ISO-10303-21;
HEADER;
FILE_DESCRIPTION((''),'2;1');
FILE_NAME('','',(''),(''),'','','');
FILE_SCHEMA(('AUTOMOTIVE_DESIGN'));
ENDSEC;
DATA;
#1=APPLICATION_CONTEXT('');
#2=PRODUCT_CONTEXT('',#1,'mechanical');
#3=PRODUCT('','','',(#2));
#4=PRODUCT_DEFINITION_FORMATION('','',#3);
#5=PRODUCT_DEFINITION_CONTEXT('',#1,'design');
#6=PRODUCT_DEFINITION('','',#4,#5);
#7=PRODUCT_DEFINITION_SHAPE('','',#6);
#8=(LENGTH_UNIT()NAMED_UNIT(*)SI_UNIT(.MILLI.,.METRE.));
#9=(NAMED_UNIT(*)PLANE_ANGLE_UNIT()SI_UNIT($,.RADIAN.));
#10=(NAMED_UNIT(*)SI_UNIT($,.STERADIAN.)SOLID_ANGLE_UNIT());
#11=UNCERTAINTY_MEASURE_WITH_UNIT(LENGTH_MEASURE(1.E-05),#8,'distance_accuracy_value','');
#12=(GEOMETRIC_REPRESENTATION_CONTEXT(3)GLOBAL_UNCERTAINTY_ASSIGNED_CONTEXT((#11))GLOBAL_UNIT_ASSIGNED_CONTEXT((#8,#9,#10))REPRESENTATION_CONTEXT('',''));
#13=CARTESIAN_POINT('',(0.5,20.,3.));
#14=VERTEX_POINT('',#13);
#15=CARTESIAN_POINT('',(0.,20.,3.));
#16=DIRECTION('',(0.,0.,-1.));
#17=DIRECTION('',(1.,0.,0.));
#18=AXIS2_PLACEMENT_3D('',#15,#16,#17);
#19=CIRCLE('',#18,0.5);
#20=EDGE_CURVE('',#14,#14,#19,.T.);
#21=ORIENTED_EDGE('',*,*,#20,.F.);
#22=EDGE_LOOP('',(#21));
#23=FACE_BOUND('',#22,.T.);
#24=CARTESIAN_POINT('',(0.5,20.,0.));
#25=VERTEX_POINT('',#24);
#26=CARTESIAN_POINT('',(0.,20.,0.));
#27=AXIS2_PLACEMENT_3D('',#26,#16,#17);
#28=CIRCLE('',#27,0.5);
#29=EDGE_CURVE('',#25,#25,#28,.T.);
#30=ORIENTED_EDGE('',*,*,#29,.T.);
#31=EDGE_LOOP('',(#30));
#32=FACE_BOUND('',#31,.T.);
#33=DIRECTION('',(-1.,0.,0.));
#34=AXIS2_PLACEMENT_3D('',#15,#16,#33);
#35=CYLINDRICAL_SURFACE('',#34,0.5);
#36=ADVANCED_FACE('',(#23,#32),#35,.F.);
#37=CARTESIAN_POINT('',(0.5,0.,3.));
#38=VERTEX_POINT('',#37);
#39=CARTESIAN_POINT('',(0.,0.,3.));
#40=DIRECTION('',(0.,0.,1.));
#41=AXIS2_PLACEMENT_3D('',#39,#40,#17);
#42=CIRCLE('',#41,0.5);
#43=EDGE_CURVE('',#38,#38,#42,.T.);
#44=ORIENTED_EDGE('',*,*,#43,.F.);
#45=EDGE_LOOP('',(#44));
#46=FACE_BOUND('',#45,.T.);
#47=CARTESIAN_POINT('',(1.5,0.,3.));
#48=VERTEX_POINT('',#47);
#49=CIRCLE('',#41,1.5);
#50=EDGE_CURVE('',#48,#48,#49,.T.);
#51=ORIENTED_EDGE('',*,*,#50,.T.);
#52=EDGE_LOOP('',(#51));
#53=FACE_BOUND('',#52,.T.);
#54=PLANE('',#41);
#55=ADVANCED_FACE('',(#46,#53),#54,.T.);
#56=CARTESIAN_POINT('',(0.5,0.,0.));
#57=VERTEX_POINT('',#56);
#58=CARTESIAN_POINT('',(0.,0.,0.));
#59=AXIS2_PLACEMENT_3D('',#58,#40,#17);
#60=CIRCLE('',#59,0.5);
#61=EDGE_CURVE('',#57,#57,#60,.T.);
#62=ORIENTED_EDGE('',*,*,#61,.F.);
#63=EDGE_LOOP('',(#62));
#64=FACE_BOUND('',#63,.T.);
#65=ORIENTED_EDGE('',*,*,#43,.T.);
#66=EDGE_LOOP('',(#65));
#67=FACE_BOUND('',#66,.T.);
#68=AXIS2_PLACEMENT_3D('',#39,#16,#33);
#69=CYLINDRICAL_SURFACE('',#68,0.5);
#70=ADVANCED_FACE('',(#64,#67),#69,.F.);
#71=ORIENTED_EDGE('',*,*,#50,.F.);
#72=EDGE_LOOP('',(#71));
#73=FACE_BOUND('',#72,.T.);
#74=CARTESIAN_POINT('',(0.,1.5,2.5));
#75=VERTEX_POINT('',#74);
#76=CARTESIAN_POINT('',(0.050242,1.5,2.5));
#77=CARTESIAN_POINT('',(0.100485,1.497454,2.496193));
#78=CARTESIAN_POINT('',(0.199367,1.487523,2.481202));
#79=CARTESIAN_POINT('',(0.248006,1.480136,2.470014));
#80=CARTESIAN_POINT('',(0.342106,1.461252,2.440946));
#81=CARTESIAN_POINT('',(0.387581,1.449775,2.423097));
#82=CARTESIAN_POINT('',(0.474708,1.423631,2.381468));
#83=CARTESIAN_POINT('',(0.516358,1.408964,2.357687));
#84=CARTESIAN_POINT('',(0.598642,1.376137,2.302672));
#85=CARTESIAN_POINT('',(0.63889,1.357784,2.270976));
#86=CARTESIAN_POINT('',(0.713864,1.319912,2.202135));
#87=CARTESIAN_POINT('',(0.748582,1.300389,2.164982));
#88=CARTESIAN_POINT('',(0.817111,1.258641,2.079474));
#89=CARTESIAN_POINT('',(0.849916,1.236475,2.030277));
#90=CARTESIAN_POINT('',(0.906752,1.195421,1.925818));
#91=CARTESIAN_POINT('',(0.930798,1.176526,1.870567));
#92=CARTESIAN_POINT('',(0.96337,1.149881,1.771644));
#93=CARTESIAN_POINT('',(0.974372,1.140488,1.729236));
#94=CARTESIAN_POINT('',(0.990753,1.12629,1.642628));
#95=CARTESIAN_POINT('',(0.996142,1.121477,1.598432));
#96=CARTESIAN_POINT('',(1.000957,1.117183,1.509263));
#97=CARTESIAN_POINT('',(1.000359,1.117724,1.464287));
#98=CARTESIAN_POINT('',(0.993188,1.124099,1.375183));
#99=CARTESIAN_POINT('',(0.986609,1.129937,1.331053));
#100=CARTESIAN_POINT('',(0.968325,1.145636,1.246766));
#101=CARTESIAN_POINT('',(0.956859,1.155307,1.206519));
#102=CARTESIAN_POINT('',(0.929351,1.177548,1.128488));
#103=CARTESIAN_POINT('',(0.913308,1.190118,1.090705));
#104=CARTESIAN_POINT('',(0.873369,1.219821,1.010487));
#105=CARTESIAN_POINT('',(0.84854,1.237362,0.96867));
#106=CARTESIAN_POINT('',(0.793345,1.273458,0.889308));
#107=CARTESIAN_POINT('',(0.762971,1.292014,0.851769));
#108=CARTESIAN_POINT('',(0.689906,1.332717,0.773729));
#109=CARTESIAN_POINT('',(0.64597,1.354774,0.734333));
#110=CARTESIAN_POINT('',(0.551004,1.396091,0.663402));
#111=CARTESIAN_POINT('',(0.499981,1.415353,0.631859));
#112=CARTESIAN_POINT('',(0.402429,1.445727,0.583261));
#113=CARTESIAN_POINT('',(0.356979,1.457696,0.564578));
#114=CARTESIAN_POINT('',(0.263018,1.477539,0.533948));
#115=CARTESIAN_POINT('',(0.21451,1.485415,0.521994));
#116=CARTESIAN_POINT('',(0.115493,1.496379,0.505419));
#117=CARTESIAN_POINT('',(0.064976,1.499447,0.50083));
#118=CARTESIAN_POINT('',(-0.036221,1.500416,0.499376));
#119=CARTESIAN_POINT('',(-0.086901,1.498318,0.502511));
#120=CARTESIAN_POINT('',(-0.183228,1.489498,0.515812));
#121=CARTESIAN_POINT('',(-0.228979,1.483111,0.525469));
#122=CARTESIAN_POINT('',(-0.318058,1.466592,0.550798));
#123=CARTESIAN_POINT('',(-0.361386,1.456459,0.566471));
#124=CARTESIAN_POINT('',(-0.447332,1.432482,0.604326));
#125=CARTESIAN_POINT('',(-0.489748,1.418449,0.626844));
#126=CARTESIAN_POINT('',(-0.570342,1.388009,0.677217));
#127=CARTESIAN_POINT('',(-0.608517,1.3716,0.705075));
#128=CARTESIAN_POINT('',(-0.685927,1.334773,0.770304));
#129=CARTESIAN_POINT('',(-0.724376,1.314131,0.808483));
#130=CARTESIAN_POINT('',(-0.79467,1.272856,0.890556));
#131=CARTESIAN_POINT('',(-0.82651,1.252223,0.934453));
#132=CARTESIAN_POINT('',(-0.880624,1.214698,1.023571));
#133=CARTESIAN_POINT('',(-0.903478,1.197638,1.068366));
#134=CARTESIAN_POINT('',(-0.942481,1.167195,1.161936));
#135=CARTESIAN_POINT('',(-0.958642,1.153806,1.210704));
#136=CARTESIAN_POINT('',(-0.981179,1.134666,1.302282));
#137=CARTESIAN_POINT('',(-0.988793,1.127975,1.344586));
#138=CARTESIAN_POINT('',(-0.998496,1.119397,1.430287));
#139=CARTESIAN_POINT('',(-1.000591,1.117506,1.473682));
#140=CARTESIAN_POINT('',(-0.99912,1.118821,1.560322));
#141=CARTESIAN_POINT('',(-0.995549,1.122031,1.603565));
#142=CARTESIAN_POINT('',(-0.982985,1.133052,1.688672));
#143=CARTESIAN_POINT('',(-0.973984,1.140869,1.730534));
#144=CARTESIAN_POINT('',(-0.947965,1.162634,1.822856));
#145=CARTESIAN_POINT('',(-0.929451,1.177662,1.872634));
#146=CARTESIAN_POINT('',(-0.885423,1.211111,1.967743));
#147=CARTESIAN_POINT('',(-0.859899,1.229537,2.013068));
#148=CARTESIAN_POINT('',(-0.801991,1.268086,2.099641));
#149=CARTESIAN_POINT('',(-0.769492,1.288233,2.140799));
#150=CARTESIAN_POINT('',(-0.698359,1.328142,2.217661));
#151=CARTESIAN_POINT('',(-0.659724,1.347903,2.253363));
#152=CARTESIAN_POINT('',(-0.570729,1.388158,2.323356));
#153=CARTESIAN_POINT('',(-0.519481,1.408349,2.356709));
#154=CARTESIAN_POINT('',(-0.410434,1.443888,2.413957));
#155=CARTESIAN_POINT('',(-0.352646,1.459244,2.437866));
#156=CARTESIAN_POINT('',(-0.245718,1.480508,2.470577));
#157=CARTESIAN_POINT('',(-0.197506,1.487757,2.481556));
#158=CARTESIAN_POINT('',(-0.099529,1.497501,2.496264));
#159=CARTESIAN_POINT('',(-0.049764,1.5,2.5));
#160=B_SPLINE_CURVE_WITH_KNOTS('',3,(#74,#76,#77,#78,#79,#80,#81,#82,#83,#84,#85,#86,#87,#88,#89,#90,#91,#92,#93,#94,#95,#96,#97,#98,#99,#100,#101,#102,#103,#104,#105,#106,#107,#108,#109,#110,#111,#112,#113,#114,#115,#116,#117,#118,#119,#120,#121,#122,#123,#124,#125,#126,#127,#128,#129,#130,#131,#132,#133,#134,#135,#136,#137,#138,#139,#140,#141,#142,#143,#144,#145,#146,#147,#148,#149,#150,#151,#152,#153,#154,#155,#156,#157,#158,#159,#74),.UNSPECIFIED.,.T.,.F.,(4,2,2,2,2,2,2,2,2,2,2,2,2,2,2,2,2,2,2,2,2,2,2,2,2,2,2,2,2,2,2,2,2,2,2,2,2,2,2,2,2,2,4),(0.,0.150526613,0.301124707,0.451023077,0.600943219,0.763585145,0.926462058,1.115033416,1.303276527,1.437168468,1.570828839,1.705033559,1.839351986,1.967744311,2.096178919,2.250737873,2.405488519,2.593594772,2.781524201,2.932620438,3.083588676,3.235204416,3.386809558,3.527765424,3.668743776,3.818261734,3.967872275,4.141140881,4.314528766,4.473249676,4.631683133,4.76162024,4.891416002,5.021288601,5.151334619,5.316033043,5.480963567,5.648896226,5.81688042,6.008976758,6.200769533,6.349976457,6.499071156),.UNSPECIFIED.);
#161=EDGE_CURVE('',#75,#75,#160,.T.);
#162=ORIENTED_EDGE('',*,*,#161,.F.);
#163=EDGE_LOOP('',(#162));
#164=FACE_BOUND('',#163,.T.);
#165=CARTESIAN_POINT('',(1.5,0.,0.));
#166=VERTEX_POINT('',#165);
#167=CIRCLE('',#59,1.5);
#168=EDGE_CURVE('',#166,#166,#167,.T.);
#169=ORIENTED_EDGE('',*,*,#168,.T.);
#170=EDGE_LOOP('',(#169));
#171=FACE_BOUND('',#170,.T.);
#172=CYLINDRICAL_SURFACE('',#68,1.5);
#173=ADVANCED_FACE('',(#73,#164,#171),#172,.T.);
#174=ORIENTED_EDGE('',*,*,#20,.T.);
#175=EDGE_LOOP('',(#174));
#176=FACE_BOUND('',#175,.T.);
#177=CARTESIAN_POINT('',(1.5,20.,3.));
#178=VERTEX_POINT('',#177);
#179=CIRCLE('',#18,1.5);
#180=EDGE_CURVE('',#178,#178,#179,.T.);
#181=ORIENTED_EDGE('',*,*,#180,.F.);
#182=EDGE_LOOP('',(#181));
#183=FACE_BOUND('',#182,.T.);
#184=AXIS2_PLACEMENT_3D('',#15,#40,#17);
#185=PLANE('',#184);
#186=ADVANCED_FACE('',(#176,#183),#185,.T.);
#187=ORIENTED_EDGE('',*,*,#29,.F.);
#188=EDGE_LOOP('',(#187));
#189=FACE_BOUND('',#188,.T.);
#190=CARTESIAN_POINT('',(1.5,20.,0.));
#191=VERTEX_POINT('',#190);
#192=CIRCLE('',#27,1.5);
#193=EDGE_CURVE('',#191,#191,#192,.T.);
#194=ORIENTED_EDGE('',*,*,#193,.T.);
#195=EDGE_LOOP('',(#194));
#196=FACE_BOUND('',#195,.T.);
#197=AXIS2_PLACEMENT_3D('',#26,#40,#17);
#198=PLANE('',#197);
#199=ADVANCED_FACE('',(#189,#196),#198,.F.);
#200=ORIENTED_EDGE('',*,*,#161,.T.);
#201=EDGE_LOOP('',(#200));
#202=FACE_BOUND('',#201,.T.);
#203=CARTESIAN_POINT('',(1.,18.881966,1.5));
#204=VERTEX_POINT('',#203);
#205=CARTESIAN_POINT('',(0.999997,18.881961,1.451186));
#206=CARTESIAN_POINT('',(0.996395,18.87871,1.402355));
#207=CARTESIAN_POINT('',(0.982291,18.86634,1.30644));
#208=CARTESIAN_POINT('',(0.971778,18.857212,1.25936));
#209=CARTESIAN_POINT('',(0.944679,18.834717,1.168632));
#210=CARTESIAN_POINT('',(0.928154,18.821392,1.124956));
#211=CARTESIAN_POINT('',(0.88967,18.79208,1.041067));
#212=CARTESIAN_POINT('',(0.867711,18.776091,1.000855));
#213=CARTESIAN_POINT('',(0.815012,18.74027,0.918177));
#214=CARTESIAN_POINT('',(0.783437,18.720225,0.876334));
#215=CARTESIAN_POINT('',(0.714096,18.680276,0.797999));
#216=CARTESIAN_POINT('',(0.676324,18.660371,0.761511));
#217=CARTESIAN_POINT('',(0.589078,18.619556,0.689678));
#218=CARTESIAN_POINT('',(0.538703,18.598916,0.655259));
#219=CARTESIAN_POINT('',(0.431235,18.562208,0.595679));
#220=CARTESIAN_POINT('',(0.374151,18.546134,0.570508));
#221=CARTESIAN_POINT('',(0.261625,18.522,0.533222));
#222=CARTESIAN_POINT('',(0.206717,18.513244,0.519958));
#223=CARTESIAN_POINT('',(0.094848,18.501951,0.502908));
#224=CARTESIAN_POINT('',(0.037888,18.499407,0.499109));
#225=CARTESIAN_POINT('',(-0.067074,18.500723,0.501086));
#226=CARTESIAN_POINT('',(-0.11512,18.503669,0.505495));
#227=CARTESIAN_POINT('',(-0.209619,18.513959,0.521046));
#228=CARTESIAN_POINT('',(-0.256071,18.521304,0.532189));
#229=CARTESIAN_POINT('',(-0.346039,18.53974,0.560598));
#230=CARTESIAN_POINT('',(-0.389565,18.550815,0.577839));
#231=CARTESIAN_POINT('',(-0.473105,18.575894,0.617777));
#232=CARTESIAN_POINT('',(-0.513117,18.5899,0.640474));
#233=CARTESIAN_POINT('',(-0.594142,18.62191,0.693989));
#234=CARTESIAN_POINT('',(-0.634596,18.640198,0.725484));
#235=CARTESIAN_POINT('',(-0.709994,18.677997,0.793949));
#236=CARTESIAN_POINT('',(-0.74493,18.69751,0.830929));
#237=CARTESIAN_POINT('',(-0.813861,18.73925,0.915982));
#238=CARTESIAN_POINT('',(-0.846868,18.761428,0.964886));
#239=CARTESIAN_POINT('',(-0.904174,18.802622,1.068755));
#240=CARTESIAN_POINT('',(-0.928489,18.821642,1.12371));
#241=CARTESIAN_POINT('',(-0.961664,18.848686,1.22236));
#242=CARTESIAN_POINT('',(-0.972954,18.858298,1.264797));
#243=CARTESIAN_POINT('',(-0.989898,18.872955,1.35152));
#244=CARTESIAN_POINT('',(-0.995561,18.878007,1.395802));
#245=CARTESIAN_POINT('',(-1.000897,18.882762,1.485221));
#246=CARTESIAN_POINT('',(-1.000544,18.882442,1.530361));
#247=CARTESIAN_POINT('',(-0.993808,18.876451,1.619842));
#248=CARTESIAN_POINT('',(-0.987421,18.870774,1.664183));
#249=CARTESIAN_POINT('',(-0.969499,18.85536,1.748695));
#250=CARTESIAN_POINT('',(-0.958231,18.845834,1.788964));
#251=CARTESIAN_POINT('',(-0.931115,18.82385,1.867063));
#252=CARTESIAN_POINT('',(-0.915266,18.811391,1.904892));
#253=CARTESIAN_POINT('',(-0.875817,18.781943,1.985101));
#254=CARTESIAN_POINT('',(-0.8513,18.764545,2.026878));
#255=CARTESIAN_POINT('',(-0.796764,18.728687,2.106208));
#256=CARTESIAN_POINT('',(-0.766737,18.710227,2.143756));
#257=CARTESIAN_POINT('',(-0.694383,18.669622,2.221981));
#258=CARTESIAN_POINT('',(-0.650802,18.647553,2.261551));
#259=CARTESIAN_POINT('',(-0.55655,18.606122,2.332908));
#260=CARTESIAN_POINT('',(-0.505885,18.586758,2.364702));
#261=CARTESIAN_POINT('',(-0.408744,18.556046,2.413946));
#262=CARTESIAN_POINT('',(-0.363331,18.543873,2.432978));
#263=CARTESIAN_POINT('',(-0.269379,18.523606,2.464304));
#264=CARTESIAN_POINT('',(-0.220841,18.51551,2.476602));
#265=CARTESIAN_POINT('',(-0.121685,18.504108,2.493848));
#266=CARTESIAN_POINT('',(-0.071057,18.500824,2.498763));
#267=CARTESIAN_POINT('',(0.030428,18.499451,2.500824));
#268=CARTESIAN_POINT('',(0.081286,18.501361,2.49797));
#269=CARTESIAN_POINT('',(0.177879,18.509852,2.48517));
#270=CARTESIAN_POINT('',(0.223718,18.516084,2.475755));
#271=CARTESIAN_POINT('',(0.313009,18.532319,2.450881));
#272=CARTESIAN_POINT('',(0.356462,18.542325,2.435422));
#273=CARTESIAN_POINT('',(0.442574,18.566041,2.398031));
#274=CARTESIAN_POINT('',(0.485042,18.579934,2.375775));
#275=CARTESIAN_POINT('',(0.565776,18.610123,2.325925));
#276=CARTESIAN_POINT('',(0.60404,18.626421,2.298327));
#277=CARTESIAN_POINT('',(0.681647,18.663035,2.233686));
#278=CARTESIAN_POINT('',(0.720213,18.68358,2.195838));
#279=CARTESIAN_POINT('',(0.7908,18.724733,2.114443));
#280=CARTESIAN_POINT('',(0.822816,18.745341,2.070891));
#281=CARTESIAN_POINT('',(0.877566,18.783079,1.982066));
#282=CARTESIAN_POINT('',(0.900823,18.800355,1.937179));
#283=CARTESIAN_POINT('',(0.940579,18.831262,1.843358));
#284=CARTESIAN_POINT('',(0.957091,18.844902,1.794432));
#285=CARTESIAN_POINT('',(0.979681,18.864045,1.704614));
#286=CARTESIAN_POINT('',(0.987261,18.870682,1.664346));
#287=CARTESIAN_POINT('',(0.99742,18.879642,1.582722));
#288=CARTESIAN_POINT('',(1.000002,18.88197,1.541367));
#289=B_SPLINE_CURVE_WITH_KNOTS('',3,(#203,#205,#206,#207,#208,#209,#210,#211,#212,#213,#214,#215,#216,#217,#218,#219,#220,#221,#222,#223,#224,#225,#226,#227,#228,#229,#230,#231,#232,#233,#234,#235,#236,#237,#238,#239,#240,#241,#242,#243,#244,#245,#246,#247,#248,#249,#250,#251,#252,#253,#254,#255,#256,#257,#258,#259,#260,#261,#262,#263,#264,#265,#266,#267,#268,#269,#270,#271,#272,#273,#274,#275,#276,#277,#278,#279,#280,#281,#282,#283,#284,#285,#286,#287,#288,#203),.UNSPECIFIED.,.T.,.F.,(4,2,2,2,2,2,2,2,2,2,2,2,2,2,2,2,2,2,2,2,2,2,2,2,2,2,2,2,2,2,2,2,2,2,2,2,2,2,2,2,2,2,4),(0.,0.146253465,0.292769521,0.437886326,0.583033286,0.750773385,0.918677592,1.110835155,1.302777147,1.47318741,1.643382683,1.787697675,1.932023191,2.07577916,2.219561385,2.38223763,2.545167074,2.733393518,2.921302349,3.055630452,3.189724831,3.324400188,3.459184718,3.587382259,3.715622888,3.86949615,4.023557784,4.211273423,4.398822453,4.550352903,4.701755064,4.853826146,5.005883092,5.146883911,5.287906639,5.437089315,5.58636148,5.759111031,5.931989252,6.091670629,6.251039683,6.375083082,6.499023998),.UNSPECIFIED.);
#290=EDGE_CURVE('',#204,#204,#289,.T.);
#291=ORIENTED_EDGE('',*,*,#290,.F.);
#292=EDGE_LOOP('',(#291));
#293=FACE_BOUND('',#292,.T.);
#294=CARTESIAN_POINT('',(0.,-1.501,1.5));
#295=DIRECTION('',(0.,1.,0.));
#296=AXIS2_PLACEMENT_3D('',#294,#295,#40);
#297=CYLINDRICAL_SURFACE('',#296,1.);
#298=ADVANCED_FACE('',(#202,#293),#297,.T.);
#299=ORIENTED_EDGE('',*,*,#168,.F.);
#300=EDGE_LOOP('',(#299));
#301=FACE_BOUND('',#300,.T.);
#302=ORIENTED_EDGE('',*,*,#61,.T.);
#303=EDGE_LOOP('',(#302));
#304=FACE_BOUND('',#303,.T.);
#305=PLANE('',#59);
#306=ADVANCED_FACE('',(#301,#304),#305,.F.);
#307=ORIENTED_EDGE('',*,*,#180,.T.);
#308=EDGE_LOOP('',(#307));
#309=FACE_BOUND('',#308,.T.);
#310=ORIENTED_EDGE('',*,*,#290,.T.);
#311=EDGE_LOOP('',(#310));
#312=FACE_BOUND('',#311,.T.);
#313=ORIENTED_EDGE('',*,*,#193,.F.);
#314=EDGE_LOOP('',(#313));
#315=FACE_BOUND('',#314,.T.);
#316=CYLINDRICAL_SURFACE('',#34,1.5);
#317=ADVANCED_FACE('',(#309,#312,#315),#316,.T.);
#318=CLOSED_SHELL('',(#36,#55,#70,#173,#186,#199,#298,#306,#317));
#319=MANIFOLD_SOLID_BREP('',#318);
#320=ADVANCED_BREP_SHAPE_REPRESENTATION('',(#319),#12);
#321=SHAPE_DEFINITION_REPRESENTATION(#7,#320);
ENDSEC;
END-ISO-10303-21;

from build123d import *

# Parameters (mm, degrees)
SKETCH_1_R           = 1.5
SKETCH_1_R_2         = 0.5
EXTRUDE_1_DEPTH      = 3
EXTRUDE_2_REACH      = 13.979
EXTRUDE_2_END_RADIUS = 1.5
SKETCH_2_R           = 1


with BuildPart() as part:
    # 草图1 → 凸台-拉伸1 (new body)
    with BuildSketch(Plane.XY):
        Circle(SKETCH_1_R)
        Circle(SKETCH_1_R_2, mode=Mode.SUBTRACT)
    extrude_1 = extrude(amount=EXTRUDE_1_DEPTH)

    # 凸台-拉伸2: up to this cylinder (the profile starts outside it)
    extrude_2_end = Plane(origin=(0, 0, 1.5), z_dir=(0, 0, -1)) * Cylinder(EXTRUDE_2_END_RADIUS, 31.958, mode=Mode.PRIVATE)
    # 草图2 → 凸台-拉伸2 (add, up to the surface)
    with BuildSketch(Plane(origin=(0, 10, 0), x_dir=(1, 0, 0), z_dir=(0, 1, 0)), mode=Mode.PRIVATE) as extrude_2_sk1:
        with Locations(Location((0, -1.5, 0), (0, 0, 270))):
            Circle(SKETCH_2_R)
    extrude_2_tool1 = extrude(extrude_2_sk1.sketch, amount=-EXTRUDE_2_REACH, mode=Mode.PRIVATE) - extrude_2_end
    extrude_2 = extrude_2_tool1.solids().sort_by_distance((0, 10, 1.5))[0]
    add(extrude_2)

    # 镜向1: 凸台-拉伸2 across plane
    add(extrude_2.mirror(Plane.ZX.offset(10)))

    # 镜向2: 凸台-拉伸1 across plane
    add(extrude_1.mirror(Plane.ZX.offset(10)))


solid = part.part
